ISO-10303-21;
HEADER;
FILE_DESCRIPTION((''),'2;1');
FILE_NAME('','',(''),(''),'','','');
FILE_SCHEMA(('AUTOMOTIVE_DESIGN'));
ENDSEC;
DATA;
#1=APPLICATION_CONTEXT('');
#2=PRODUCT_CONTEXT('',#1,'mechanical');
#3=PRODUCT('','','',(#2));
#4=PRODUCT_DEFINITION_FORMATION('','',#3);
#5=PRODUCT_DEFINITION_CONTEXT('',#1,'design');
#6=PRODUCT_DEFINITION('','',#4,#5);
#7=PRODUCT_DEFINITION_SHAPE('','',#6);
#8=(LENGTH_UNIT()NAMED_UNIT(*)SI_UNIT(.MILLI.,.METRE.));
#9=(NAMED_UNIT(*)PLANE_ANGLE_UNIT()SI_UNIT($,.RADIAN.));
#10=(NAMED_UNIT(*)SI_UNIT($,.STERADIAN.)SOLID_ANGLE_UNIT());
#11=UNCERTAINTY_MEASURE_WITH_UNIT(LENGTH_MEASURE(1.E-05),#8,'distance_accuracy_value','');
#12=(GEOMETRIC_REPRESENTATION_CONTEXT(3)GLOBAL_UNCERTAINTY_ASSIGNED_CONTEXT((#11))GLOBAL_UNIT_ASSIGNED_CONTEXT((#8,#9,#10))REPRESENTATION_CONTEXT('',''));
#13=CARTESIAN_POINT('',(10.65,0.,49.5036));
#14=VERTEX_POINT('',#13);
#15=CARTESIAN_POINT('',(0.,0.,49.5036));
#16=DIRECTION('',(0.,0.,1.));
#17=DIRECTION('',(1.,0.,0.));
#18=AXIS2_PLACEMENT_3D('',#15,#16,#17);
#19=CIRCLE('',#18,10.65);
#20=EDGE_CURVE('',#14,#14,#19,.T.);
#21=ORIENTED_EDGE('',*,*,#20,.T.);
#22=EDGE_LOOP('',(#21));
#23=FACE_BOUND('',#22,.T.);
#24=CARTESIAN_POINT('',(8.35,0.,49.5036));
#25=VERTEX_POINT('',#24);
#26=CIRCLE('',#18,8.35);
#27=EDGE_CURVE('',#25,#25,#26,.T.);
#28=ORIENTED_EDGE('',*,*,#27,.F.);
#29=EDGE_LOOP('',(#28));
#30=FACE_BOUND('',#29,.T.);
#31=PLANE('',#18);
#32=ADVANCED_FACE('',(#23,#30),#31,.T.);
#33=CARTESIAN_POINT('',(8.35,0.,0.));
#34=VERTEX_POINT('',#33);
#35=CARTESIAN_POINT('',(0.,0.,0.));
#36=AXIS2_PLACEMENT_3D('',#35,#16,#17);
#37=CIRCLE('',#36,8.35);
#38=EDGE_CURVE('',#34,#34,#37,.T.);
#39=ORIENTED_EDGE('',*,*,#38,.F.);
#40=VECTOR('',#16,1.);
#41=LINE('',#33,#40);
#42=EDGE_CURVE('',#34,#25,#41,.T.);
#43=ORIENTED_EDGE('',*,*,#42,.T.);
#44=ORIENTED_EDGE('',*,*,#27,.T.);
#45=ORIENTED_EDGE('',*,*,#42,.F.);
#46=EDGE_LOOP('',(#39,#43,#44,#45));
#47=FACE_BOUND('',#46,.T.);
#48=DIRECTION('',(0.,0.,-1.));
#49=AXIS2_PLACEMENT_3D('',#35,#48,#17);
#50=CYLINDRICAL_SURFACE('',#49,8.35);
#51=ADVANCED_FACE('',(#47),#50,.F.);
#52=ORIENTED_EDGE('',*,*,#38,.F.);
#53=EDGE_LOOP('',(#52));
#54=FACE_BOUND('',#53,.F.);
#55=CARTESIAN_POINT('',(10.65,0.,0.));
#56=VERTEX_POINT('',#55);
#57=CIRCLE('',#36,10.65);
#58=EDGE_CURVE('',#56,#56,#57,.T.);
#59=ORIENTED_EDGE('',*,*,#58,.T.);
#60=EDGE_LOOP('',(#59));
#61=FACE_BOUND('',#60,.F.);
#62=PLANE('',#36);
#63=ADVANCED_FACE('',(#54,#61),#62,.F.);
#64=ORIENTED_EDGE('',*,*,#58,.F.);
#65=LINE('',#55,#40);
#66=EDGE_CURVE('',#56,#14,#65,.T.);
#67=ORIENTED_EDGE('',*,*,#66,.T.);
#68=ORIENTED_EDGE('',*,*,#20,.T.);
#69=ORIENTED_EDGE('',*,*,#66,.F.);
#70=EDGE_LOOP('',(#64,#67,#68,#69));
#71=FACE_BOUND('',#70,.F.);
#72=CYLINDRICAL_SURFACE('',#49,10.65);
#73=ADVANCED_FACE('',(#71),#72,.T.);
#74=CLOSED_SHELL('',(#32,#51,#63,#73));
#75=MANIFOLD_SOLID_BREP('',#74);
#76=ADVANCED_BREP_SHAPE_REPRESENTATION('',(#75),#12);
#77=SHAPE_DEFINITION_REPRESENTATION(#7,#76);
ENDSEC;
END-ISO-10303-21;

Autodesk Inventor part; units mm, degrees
ref_plane "YZ Plane" through (0, 0, 0) normal (1, 0, 0) x (0, 1, 0)
ref_plane "Start Plane" through (0, 0, 0) normal (0, 0, 1) x (1, 0, 0)
ref_plane "End Plane" through (0, 0, 49.5036) normal (0, 0, 1) x (1, 0, 0)
sketch "Sketch" plane through (0, 0, 0) normal (0, 0, 1) x (1, 0, 0)
  circle A0 centre (0, 0) radius 8.35
  circle A1 centre (0, 0) radius 10.65
  dimension "d0" = 21.3
  dimension "d1" = 2.3
extrude "Body" add sketch "Sketch" along normal up to surface (49.5036 mm away) from surface at 0
sketch "Sketch3" plane through (0, 0, 0) normal (0, 0, 1) x (1, 0, 0)
  line L0 (0, 0) -> (10, 0)
ref_plane "Work Plane3" through (0, 0, 0) normal (0, -1, 0) x (1, 0, 0)
sketch "Sketch4" plane through (0, 0, 0) normal (0, -1, 0) x (1, 0, 0)
  line L0 (-2, 0) -> (12, 0)
  line L1 (-2, 49.5036) -> (12, 49.5036)
  dimension "d7" = 49.5036
equation "\"d0\" = G_H"
equation "\"d1\" = G_T"
equation "\"d2\" = G_L"
equation "\"G_H\" = 21.3"
equation "\"G_T\" = 2.3"
equation "\"G_L\" = d7"
equation "\"G_OFFSET_START\" = 0"
equation "\"G_OFFSET_END\" = 0"
equation "\"d5\" = G_OFFSET_END + B_L"
equation "\"B_L\" = 49.50361"
properties part number "ISO 12633-2 - 21,3 x 2,3 - 49,5" material "Steel, Mild"
